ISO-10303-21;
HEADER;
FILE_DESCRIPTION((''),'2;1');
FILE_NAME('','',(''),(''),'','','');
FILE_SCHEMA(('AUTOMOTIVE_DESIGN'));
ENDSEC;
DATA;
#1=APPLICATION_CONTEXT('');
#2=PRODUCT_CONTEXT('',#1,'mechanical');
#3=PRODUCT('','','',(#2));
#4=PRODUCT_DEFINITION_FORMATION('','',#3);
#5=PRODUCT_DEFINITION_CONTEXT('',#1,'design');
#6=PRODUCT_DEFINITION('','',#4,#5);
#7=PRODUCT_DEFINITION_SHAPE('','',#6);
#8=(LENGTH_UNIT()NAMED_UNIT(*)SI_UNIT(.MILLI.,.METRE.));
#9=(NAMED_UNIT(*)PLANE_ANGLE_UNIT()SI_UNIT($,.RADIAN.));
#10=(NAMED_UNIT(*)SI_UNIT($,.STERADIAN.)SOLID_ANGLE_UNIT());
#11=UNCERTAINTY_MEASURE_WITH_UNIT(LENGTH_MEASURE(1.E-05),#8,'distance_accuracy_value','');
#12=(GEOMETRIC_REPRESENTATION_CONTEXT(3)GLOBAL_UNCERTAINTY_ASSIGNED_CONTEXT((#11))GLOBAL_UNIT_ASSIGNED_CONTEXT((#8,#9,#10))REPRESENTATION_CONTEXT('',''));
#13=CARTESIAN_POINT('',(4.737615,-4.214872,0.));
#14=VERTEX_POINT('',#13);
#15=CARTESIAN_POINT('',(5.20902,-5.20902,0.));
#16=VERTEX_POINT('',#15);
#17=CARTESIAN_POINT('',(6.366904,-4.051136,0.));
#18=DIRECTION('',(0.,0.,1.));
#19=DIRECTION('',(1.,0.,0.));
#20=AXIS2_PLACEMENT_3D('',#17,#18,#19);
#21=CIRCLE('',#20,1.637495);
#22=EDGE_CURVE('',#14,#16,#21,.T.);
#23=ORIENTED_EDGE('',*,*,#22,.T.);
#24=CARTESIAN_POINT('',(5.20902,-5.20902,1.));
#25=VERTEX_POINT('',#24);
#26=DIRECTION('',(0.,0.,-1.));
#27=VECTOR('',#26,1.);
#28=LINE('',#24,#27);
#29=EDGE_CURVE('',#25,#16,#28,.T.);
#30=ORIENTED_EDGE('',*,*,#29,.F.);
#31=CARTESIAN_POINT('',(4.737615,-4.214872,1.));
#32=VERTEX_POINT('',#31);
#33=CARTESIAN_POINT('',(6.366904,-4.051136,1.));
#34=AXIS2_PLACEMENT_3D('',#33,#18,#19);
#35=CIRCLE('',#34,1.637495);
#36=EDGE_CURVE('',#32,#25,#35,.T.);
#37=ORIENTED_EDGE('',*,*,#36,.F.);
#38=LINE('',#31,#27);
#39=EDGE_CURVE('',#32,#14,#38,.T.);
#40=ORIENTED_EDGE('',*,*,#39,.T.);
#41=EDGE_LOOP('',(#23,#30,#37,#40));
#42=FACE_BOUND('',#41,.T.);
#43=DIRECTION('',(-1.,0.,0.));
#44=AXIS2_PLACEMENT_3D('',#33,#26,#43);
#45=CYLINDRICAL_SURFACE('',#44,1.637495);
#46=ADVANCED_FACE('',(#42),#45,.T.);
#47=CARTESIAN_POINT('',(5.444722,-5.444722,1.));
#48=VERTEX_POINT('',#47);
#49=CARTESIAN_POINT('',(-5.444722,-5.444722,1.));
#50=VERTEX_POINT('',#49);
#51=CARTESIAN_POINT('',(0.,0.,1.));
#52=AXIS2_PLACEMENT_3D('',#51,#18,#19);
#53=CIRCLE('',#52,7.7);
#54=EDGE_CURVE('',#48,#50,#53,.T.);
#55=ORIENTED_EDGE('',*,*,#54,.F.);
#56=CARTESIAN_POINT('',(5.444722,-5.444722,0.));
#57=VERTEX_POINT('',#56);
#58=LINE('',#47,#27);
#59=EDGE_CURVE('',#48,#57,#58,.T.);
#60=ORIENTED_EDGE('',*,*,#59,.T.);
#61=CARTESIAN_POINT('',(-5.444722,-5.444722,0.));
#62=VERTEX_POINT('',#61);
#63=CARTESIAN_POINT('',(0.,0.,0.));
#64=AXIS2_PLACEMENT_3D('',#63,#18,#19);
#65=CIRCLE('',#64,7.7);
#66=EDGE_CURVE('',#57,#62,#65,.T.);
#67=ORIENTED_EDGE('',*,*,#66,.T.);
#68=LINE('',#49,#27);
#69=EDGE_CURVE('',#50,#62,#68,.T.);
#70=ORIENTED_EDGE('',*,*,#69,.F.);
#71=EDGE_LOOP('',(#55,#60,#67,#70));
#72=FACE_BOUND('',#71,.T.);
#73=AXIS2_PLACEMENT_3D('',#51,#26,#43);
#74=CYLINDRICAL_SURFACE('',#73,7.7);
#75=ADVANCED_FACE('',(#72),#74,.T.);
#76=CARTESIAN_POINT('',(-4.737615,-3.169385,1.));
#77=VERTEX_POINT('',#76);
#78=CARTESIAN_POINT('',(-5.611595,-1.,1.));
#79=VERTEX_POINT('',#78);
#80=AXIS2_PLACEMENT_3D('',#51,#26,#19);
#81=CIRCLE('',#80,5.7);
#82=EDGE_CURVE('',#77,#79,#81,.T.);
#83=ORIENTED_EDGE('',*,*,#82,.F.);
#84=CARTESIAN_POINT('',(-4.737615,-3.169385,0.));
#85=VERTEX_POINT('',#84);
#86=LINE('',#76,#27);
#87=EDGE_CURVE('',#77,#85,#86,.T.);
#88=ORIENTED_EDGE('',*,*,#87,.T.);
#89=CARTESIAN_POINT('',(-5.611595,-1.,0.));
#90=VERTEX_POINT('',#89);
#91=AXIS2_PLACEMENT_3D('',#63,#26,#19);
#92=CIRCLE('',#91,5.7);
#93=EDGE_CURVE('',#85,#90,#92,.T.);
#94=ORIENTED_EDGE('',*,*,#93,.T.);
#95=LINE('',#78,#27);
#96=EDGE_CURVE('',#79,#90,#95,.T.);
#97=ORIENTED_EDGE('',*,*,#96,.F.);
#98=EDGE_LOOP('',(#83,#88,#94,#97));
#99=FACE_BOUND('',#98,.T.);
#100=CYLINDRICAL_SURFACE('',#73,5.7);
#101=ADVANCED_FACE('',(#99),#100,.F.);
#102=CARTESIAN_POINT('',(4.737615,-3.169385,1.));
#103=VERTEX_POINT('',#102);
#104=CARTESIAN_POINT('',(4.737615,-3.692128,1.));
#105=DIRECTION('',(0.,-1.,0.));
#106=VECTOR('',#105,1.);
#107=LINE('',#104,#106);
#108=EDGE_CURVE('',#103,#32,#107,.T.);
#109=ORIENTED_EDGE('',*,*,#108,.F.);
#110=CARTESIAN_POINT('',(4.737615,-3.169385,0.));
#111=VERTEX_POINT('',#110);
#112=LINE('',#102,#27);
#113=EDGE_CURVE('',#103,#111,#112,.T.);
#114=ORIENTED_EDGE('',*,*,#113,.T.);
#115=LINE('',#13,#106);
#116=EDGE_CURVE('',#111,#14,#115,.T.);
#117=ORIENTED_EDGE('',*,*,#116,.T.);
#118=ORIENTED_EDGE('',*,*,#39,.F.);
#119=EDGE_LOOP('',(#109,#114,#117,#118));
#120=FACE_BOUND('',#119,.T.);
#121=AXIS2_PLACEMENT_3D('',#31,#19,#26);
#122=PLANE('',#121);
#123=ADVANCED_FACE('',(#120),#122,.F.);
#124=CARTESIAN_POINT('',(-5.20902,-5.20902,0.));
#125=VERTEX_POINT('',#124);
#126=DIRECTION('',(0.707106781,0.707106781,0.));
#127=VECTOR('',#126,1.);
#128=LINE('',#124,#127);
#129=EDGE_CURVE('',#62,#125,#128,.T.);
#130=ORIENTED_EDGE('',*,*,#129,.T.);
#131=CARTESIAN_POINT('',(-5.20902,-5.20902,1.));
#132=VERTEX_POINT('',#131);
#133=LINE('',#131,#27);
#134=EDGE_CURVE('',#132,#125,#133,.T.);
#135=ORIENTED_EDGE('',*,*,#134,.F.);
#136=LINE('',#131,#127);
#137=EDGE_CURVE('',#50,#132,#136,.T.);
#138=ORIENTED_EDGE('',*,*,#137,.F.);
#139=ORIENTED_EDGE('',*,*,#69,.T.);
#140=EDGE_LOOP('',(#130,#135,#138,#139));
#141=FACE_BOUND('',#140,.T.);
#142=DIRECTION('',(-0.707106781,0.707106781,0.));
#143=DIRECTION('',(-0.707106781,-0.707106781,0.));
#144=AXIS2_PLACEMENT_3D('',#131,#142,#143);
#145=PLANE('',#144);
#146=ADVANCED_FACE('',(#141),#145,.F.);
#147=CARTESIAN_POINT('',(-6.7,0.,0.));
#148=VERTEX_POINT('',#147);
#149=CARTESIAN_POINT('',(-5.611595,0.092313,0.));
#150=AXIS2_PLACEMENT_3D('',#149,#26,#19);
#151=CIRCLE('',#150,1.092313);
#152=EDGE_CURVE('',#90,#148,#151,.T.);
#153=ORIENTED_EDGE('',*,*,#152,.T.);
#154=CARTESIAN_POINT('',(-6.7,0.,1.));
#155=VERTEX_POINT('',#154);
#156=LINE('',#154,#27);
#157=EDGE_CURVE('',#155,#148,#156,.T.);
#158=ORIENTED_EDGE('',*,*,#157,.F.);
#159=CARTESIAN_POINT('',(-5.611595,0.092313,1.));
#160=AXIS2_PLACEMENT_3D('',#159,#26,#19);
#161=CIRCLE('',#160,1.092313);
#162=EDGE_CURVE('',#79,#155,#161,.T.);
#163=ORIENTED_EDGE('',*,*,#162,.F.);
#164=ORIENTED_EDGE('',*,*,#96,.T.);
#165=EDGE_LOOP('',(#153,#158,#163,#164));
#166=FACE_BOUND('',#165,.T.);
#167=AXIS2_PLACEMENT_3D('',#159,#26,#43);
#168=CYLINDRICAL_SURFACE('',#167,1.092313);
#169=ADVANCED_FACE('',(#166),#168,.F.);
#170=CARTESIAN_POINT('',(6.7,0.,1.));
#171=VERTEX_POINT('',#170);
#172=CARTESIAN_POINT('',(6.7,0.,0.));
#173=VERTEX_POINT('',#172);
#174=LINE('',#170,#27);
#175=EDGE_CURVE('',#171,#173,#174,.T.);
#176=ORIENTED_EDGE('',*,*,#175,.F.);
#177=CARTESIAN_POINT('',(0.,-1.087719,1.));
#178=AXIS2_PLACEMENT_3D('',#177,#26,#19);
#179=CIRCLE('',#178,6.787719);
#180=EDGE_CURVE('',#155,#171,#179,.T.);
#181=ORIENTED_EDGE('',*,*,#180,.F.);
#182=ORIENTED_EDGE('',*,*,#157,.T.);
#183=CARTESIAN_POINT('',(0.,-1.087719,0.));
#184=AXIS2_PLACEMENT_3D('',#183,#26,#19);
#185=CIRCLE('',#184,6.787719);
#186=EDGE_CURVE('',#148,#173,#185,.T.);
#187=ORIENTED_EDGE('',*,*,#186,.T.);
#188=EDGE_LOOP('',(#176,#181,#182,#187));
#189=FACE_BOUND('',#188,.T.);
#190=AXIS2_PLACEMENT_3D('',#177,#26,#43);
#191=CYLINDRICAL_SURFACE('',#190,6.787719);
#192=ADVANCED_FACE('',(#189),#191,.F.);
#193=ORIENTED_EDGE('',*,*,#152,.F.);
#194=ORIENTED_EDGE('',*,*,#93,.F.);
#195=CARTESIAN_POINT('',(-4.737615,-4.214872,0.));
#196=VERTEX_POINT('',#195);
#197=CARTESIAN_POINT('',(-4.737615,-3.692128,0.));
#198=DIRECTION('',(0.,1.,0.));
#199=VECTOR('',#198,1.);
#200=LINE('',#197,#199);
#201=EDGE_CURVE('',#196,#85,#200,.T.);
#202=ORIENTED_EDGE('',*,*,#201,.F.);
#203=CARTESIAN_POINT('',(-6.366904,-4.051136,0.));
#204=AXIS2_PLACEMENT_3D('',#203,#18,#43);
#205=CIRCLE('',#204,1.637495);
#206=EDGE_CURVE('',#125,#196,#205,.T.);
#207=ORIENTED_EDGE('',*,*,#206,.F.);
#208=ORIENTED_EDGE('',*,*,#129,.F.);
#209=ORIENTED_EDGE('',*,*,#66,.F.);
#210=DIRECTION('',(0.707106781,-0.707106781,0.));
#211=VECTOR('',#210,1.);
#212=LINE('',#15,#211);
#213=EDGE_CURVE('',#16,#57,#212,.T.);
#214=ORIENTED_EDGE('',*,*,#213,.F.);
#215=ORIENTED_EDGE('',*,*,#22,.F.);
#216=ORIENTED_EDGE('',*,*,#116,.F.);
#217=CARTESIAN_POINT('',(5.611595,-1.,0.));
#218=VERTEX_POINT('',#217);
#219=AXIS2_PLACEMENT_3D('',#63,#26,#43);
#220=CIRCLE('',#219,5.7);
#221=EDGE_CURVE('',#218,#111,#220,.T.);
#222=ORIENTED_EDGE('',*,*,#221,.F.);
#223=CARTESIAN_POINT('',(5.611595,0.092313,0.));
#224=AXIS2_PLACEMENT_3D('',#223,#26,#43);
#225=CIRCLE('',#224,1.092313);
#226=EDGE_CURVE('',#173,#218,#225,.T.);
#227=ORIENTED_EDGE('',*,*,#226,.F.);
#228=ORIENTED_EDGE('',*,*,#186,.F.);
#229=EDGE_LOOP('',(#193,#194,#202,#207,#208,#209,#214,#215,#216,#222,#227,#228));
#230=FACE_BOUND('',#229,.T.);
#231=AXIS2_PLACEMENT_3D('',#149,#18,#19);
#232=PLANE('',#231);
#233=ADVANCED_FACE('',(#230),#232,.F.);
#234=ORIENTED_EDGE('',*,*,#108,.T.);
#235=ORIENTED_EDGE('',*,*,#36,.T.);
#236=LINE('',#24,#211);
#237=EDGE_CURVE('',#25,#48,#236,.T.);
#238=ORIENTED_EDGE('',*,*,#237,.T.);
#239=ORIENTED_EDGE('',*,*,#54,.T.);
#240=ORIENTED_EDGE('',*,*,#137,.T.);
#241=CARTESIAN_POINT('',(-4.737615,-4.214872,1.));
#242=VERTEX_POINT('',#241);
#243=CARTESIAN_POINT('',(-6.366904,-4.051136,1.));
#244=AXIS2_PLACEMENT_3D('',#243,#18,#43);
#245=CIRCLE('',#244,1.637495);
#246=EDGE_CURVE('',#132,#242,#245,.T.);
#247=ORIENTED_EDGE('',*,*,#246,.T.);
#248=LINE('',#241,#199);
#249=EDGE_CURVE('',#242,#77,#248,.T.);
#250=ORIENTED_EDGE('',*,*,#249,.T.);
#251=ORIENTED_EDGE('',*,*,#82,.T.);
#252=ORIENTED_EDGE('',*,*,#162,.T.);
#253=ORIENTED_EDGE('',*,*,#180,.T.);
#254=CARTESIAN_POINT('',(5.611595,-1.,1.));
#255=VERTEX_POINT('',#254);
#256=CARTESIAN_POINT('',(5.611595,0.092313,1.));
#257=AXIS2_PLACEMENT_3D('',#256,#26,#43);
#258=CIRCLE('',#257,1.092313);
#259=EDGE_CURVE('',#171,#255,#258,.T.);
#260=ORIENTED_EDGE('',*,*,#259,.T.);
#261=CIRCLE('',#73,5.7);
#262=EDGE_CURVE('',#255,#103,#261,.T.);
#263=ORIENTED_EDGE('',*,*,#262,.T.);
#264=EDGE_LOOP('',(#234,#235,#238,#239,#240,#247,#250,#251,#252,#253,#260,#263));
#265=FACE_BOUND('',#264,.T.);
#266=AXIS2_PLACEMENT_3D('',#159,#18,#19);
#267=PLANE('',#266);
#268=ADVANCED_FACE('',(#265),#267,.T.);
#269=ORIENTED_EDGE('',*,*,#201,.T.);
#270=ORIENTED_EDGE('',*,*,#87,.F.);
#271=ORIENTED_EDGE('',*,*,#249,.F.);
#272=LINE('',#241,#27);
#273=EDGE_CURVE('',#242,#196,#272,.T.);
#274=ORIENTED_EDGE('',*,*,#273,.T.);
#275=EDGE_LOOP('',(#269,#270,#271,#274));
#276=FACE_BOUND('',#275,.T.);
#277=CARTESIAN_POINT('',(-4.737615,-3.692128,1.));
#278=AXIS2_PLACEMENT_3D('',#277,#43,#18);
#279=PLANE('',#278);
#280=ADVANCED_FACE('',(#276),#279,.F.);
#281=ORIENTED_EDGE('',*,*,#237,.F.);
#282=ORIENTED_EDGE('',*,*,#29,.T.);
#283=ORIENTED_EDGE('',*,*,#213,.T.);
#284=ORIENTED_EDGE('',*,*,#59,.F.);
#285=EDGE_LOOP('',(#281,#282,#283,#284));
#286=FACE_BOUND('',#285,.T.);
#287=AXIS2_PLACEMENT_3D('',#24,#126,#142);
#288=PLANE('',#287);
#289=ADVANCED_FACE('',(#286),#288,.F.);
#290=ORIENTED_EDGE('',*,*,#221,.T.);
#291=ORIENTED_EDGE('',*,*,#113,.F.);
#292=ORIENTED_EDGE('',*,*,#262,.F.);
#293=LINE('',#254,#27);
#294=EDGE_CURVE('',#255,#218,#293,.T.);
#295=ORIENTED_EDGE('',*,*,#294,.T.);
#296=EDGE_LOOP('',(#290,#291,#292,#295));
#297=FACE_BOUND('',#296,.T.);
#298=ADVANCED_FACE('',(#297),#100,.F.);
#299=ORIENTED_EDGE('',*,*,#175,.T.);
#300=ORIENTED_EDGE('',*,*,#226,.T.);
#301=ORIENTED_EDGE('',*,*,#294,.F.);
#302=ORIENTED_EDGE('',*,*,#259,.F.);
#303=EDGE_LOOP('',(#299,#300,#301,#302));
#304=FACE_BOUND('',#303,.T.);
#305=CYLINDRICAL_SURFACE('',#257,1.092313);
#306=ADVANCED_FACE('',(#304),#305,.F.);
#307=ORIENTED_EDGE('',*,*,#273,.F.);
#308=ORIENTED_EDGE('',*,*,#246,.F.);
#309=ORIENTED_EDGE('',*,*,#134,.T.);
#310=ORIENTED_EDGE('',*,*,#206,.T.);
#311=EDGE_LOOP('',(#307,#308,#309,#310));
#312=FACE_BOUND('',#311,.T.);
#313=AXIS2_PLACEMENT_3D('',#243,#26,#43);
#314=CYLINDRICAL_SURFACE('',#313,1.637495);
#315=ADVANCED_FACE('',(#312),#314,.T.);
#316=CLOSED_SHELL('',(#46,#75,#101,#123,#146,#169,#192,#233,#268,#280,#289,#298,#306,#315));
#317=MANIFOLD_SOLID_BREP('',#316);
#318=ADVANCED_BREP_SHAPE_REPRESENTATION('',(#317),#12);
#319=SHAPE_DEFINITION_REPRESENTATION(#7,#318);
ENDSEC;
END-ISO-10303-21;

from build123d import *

# Parameters (mm, degrees)
BOSS_EXTRUDE1_DEPTH = 1


with BuildPart() as part:
    # Sketch2 → Boss-Extrude1 (new body)
    with BuildSketch(Plane.XY):
        with BuildLine():
            Line((-4.737615434, -4.214871889), (-4.737615434, -3.692128344))
            Line((-4.737615434, -3.692128344), (-4.737615434, -3.169384798))
            ThreePointArc((-4.737615434, -3.169384798), (-5.287068892, -2.130000594), (-5.611595139, -1))
            ThreePointArc((-5.611595139, -1), (-6.350619012, -0.712044605), (-6.7, 0))
            ThreePointArc((-6.7, 0), (0, 5.7), (6.7, 0))
            ThreePointArc((6.7, 0), (6.350619012, -0.712044605), (5.611595139, -1))
            ThreePointArc((5.611595139, -1), (5.287068892, -2.130000594), (4.737615434, -3.169384798))
            Line((4.737615434, -3.169384798), (4.737615434, -3.692128344))
            Line((4.737615434, -3.692128344), (4.737615434, -4.214871889))
            ThreePointArc((4.737615434, -4.214871889), (4.887321146, -4.752723712), (5.209019955, -5.209019955))
            Line((5.209019955, -5.209019955), (5.444722215, -5.444722215))
            ThreePointArc((5.444722215, -5.444722215), (0, 7.7), (-5.444722215, -5.444722215))
            Line((-5.444722215, -5.444722215), (-5.209019955, -5.209019955))
            ThreePointArc((-5.209019955, -5.209019955), (-4.887321146, -4.752723712), (-4.737615434, -4.214871889))
        make_face()
    extrude(amount=BOSS_EXTRUDE1_DEPTH)


solid = part.part
